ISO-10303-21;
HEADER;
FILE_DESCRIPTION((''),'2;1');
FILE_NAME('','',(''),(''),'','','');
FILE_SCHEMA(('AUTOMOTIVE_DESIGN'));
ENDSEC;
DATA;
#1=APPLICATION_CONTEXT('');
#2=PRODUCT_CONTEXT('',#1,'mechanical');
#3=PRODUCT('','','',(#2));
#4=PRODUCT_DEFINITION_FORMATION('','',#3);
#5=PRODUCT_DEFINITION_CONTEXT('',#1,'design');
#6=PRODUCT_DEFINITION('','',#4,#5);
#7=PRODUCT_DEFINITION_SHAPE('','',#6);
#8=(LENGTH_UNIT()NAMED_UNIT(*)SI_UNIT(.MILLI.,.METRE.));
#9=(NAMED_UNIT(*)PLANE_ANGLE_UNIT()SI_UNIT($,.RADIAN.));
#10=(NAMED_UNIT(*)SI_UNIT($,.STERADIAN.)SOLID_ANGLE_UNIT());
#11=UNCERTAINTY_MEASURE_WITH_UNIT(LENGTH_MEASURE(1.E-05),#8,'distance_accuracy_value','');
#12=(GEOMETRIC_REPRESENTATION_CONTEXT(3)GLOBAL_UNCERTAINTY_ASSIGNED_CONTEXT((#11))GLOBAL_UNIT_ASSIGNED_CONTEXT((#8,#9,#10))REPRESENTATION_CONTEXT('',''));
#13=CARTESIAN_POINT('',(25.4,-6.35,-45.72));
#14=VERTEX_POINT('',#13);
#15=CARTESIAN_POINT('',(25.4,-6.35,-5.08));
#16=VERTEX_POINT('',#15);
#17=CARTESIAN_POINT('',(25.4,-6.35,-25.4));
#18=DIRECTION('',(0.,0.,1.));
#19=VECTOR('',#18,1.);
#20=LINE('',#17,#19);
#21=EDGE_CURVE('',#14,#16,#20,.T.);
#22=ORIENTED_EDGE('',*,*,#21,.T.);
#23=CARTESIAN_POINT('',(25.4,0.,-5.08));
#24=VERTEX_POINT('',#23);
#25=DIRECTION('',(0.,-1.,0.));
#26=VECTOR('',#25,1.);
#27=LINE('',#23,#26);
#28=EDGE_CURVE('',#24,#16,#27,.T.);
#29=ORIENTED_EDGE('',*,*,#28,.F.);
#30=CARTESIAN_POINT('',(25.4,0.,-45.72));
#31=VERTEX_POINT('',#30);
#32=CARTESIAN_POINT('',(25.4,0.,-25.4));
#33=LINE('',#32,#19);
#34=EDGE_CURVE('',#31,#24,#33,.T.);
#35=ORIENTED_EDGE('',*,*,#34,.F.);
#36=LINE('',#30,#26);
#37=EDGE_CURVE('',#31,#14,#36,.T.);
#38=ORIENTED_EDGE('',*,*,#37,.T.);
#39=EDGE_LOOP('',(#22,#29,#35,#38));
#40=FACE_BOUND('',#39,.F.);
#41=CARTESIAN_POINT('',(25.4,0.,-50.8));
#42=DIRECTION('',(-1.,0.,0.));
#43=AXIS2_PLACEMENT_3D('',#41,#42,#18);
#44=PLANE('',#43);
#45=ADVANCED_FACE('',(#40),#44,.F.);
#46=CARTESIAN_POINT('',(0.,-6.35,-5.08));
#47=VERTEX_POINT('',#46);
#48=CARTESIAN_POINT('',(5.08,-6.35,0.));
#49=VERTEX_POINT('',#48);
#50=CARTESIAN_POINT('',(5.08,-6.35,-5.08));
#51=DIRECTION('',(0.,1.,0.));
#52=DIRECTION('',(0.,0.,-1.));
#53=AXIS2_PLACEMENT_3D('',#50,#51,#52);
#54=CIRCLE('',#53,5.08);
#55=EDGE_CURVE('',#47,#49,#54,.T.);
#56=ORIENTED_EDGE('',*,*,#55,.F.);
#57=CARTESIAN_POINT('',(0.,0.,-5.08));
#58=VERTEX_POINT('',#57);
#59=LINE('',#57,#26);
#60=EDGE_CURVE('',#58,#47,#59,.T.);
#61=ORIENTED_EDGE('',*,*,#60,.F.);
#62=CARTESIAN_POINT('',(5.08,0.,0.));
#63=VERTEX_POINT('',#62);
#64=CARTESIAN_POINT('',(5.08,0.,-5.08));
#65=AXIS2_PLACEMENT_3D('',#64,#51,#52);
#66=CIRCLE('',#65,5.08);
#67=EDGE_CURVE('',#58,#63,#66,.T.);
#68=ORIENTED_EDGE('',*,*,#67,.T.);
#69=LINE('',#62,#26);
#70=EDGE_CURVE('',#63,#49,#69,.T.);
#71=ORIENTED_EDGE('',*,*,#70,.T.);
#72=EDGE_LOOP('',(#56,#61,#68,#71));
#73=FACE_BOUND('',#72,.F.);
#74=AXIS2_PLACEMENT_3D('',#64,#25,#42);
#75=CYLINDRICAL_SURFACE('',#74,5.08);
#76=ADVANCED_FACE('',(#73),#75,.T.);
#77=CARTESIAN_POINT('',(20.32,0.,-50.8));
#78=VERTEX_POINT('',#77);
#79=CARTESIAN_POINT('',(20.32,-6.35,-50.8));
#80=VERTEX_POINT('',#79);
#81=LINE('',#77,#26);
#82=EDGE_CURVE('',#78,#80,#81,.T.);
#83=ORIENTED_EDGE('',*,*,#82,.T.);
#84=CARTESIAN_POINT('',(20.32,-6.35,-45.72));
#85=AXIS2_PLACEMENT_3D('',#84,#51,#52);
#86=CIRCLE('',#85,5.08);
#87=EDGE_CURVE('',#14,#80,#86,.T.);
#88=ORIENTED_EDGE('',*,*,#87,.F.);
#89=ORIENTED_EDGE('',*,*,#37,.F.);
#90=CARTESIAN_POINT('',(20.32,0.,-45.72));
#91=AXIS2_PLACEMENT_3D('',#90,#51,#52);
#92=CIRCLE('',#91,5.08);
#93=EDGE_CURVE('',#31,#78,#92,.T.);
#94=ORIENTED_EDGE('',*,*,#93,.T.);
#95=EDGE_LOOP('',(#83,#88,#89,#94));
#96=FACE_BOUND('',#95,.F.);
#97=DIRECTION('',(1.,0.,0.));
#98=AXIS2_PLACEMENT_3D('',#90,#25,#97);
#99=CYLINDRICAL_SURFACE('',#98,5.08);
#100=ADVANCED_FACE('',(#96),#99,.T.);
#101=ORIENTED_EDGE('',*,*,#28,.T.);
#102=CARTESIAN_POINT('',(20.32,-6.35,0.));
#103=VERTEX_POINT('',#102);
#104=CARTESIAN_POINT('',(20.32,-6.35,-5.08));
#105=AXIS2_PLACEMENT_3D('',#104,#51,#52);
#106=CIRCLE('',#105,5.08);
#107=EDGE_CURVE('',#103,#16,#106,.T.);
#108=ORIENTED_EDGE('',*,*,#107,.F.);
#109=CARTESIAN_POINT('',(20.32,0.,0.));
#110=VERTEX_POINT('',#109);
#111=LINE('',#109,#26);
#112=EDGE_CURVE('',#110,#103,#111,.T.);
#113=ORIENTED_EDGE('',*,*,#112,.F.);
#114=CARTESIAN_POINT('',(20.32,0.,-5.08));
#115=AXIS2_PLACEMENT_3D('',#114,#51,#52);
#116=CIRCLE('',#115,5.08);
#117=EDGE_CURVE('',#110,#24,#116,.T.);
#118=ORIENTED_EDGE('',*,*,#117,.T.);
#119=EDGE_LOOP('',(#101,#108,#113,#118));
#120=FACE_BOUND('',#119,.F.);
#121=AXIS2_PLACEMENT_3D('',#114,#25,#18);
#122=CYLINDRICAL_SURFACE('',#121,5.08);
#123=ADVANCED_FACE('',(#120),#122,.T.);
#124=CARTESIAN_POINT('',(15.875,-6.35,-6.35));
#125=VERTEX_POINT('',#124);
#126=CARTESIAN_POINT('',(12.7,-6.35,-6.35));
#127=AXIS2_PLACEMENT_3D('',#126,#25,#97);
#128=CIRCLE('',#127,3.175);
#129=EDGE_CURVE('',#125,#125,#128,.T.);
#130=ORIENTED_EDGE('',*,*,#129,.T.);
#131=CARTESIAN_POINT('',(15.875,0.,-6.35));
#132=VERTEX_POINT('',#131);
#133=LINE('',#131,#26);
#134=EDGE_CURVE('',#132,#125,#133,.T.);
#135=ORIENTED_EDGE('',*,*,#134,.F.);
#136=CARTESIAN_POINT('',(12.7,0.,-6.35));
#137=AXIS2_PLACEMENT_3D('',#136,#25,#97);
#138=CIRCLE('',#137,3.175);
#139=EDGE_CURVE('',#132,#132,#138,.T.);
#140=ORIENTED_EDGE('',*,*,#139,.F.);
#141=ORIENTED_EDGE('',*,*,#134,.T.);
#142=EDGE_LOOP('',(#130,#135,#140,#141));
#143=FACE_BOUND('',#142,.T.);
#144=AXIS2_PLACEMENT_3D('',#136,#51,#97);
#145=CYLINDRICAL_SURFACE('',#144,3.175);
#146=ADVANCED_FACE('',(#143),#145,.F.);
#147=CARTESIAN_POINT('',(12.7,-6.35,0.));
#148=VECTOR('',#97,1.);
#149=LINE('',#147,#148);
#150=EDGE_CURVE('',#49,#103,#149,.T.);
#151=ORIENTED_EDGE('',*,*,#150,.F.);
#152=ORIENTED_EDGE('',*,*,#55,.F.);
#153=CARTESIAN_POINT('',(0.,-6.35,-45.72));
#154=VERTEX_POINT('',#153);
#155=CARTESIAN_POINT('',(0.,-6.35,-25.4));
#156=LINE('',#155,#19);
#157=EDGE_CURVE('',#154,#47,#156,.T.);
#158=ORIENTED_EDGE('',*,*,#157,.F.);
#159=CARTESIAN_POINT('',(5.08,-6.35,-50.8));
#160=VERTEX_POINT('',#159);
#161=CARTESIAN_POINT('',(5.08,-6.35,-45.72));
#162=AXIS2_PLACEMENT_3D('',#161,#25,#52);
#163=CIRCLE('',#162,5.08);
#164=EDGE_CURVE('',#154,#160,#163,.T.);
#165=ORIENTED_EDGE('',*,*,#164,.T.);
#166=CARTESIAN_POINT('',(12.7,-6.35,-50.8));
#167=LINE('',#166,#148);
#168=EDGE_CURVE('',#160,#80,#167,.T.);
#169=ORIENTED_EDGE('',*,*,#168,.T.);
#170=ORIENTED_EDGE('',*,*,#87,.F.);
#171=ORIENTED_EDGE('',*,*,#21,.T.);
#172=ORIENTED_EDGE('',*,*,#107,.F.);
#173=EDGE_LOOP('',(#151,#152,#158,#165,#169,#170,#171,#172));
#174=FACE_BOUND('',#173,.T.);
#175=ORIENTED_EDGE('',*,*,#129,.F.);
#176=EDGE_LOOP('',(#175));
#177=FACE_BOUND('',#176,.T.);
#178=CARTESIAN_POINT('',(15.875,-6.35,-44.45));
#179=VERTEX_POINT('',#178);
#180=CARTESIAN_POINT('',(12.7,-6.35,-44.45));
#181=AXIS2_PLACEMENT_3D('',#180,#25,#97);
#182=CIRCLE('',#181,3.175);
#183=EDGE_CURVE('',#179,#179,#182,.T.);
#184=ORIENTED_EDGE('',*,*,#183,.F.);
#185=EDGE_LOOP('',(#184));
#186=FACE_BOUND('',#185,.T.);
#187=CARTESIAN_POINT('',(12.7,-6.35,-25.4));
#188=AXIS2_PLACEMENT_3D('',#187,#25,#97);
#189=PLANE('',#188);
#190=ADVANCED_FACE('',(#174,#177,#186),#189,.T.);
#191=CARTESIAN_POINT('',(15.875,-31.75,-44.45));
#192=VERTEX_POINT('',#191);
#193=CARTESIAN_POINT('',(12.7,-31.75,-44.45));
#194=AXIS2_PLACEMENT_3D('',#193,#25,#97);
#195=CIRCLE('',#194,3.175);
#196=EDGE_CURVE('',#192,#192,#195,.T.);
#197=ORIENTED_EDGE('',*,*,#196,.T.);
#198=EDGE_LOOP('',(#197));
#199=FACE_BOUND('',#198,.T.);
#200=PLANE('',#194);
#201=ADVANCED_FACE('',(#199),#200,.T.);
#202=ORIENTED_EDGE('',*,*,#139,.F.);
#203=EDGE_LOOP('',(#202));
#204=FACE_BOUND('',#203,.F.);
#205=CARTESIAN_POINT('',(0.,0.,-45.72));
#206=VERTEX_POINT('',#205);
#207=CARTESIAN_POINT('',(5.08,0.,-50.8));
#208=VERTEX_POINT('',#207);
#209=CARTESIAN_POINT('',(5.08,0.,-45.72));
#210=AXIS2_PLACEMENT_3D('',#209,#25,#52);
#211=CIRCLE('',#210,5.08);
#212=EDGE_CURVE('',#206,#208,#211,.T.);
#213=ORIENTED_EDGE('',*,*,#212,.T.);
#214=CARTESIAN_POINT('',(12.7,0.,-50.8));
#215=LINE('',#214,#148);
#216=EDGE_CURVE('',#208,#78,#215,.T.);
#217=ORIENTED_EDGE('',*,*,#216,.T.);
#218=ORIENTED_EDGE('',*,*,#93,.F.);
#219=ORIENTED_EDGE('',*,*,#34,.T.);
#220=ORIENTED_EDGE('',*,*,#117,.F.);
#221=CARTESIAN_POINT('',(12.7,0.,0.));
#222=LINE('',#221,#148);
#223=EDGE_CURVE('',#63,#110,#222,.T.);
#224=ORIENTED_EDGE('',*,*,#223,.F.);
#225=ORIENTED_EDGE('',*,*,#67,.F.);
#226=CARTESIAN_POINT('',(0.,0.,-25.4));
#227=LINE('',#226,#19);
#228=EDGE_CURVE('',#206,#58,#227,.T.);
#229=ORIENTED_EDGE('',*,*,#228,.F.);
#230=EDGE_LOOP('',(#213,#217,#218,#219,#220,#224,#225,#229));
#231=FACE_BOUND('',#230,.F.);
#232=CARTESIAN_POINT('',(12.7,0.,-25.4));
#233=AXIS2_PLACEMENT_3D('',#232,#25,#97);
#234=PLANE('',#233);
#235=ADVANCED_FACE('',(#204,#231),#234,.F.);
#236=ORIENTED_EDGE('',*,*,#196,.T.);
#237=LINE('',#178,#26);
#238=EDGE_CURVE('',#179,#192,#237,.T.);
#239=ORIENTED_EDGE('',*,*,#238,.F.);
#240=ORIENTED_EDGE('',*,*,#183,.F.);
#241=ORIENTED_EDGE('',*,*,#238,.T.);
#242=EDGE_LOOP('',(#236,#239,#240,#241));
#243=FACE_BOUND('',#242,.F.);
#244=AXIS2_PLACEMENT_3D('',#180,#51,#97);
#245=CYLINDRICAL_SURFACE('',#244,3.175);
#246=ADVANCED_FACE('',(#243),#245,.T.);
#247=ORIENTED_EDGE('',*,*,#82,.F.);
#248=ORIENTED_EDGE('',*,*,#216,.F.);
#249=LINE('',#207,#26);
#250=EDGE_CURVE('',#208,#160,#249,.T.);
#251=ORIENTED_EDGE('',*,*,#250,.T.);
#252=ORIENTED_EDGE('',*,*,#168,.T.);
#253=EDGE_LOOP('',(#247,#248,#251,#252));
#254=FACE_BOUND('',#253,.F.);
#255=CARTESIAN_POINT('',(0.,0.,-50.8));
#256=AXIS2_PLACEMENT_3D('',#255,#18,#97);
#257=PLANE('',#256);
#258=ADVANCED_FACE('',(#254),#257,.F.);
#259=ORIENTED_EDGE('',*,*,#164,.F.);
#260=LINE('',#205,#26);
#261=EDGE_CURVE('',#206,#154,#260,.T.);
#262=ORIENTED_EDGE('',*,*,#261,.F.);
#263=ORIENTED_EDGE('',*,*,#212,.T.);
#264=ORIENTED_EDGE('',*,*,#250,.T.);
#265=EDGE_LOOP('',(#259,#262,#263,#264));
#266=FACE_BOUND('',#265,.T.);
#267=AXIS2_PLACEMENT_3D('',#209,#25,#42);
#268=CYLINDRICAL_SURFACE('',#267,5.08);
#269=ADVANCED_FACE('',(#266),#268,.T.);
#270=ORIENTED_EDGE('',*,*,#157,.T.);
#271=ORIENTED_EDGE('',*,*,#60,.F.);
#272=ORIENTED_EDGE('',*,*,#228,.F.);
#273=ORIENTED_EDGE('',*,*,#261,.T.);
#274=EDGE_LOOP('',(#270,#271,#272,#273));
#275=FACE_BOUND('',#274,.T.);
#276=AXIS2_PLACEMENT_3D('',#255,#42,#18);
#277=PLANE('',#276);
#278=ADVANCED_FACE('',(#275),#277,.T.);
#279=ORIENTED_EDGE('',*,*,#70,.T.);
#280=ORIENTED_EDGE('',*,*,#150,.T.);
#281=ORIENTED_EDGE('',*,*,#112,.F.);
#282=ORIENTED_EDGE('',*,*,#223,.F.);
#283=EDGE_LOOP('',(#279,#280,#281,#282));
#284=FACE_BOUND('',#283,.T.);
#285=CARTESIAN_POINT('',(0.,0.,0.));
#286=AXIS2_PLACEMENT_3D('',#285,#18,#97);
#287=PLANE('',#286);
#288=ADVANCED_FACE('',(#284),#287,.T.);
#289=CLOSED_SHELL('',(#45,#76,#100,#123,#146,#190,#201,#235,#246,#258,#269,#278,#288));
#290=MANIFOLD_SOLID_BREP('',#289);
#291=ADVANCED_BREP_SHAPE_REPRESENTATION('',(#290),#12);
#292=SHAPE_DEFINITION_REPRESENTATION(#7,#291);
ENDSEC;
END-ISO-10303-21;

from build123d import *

# Parameters (mm, degrees)
F0_W     = 25.4
F0_H     = 50.8
F0_R     = 3.175
F1_DEPTH = 6.35
F2_R     = 5.08
F3_R     = 5.08
F4_R     = 5.08
F5_R     = 3.175
F6_DEPTH = 25.4


with BuildPart() as f1:
    # F0 (on Front) → F1 (new body)
    with BuildSketch(Plane.XZ):
        with Locations((12.7, -25.4)):
            Rectangle(F0_W, F0_H)
        with Locations((12.7, -6.35)):
            Circle(F0_R, mode=Mode.SUBTRACT)
    extrude(amount=F1_DEPTH)

    # F2
    f2_edges = [f1.edges().sort_by_distance(p)[0] for p in [
        (0, -3.175, 0),
    ]]
    fillet(f2_edges, radius=F2_R)

    # F3
    f3_edges = [f1.edges().sort_by_distance(p)[0] for p in [
        (25.4, -3.175, 0),
    ]]
    fillet(f3_edges, radius=F3_R)

    # F4
    f4_edges = [f1.edges().sort_by_distance(p)[0] for p in [
        (25.4, -3.175, -50.8),
        (0, -3.175, -50.8),
    ]]
    fillet(f4_edges, radius=F4_R)

    # F5 (on face) → F6 (join)
    with BuildSketch(Plane.XZ.offset(6.35)):
        with Locations((12.7, -44.45)):
            Circle(F5_R)
    extrude(amount=F6_DEPTH)


solid = f1.part
